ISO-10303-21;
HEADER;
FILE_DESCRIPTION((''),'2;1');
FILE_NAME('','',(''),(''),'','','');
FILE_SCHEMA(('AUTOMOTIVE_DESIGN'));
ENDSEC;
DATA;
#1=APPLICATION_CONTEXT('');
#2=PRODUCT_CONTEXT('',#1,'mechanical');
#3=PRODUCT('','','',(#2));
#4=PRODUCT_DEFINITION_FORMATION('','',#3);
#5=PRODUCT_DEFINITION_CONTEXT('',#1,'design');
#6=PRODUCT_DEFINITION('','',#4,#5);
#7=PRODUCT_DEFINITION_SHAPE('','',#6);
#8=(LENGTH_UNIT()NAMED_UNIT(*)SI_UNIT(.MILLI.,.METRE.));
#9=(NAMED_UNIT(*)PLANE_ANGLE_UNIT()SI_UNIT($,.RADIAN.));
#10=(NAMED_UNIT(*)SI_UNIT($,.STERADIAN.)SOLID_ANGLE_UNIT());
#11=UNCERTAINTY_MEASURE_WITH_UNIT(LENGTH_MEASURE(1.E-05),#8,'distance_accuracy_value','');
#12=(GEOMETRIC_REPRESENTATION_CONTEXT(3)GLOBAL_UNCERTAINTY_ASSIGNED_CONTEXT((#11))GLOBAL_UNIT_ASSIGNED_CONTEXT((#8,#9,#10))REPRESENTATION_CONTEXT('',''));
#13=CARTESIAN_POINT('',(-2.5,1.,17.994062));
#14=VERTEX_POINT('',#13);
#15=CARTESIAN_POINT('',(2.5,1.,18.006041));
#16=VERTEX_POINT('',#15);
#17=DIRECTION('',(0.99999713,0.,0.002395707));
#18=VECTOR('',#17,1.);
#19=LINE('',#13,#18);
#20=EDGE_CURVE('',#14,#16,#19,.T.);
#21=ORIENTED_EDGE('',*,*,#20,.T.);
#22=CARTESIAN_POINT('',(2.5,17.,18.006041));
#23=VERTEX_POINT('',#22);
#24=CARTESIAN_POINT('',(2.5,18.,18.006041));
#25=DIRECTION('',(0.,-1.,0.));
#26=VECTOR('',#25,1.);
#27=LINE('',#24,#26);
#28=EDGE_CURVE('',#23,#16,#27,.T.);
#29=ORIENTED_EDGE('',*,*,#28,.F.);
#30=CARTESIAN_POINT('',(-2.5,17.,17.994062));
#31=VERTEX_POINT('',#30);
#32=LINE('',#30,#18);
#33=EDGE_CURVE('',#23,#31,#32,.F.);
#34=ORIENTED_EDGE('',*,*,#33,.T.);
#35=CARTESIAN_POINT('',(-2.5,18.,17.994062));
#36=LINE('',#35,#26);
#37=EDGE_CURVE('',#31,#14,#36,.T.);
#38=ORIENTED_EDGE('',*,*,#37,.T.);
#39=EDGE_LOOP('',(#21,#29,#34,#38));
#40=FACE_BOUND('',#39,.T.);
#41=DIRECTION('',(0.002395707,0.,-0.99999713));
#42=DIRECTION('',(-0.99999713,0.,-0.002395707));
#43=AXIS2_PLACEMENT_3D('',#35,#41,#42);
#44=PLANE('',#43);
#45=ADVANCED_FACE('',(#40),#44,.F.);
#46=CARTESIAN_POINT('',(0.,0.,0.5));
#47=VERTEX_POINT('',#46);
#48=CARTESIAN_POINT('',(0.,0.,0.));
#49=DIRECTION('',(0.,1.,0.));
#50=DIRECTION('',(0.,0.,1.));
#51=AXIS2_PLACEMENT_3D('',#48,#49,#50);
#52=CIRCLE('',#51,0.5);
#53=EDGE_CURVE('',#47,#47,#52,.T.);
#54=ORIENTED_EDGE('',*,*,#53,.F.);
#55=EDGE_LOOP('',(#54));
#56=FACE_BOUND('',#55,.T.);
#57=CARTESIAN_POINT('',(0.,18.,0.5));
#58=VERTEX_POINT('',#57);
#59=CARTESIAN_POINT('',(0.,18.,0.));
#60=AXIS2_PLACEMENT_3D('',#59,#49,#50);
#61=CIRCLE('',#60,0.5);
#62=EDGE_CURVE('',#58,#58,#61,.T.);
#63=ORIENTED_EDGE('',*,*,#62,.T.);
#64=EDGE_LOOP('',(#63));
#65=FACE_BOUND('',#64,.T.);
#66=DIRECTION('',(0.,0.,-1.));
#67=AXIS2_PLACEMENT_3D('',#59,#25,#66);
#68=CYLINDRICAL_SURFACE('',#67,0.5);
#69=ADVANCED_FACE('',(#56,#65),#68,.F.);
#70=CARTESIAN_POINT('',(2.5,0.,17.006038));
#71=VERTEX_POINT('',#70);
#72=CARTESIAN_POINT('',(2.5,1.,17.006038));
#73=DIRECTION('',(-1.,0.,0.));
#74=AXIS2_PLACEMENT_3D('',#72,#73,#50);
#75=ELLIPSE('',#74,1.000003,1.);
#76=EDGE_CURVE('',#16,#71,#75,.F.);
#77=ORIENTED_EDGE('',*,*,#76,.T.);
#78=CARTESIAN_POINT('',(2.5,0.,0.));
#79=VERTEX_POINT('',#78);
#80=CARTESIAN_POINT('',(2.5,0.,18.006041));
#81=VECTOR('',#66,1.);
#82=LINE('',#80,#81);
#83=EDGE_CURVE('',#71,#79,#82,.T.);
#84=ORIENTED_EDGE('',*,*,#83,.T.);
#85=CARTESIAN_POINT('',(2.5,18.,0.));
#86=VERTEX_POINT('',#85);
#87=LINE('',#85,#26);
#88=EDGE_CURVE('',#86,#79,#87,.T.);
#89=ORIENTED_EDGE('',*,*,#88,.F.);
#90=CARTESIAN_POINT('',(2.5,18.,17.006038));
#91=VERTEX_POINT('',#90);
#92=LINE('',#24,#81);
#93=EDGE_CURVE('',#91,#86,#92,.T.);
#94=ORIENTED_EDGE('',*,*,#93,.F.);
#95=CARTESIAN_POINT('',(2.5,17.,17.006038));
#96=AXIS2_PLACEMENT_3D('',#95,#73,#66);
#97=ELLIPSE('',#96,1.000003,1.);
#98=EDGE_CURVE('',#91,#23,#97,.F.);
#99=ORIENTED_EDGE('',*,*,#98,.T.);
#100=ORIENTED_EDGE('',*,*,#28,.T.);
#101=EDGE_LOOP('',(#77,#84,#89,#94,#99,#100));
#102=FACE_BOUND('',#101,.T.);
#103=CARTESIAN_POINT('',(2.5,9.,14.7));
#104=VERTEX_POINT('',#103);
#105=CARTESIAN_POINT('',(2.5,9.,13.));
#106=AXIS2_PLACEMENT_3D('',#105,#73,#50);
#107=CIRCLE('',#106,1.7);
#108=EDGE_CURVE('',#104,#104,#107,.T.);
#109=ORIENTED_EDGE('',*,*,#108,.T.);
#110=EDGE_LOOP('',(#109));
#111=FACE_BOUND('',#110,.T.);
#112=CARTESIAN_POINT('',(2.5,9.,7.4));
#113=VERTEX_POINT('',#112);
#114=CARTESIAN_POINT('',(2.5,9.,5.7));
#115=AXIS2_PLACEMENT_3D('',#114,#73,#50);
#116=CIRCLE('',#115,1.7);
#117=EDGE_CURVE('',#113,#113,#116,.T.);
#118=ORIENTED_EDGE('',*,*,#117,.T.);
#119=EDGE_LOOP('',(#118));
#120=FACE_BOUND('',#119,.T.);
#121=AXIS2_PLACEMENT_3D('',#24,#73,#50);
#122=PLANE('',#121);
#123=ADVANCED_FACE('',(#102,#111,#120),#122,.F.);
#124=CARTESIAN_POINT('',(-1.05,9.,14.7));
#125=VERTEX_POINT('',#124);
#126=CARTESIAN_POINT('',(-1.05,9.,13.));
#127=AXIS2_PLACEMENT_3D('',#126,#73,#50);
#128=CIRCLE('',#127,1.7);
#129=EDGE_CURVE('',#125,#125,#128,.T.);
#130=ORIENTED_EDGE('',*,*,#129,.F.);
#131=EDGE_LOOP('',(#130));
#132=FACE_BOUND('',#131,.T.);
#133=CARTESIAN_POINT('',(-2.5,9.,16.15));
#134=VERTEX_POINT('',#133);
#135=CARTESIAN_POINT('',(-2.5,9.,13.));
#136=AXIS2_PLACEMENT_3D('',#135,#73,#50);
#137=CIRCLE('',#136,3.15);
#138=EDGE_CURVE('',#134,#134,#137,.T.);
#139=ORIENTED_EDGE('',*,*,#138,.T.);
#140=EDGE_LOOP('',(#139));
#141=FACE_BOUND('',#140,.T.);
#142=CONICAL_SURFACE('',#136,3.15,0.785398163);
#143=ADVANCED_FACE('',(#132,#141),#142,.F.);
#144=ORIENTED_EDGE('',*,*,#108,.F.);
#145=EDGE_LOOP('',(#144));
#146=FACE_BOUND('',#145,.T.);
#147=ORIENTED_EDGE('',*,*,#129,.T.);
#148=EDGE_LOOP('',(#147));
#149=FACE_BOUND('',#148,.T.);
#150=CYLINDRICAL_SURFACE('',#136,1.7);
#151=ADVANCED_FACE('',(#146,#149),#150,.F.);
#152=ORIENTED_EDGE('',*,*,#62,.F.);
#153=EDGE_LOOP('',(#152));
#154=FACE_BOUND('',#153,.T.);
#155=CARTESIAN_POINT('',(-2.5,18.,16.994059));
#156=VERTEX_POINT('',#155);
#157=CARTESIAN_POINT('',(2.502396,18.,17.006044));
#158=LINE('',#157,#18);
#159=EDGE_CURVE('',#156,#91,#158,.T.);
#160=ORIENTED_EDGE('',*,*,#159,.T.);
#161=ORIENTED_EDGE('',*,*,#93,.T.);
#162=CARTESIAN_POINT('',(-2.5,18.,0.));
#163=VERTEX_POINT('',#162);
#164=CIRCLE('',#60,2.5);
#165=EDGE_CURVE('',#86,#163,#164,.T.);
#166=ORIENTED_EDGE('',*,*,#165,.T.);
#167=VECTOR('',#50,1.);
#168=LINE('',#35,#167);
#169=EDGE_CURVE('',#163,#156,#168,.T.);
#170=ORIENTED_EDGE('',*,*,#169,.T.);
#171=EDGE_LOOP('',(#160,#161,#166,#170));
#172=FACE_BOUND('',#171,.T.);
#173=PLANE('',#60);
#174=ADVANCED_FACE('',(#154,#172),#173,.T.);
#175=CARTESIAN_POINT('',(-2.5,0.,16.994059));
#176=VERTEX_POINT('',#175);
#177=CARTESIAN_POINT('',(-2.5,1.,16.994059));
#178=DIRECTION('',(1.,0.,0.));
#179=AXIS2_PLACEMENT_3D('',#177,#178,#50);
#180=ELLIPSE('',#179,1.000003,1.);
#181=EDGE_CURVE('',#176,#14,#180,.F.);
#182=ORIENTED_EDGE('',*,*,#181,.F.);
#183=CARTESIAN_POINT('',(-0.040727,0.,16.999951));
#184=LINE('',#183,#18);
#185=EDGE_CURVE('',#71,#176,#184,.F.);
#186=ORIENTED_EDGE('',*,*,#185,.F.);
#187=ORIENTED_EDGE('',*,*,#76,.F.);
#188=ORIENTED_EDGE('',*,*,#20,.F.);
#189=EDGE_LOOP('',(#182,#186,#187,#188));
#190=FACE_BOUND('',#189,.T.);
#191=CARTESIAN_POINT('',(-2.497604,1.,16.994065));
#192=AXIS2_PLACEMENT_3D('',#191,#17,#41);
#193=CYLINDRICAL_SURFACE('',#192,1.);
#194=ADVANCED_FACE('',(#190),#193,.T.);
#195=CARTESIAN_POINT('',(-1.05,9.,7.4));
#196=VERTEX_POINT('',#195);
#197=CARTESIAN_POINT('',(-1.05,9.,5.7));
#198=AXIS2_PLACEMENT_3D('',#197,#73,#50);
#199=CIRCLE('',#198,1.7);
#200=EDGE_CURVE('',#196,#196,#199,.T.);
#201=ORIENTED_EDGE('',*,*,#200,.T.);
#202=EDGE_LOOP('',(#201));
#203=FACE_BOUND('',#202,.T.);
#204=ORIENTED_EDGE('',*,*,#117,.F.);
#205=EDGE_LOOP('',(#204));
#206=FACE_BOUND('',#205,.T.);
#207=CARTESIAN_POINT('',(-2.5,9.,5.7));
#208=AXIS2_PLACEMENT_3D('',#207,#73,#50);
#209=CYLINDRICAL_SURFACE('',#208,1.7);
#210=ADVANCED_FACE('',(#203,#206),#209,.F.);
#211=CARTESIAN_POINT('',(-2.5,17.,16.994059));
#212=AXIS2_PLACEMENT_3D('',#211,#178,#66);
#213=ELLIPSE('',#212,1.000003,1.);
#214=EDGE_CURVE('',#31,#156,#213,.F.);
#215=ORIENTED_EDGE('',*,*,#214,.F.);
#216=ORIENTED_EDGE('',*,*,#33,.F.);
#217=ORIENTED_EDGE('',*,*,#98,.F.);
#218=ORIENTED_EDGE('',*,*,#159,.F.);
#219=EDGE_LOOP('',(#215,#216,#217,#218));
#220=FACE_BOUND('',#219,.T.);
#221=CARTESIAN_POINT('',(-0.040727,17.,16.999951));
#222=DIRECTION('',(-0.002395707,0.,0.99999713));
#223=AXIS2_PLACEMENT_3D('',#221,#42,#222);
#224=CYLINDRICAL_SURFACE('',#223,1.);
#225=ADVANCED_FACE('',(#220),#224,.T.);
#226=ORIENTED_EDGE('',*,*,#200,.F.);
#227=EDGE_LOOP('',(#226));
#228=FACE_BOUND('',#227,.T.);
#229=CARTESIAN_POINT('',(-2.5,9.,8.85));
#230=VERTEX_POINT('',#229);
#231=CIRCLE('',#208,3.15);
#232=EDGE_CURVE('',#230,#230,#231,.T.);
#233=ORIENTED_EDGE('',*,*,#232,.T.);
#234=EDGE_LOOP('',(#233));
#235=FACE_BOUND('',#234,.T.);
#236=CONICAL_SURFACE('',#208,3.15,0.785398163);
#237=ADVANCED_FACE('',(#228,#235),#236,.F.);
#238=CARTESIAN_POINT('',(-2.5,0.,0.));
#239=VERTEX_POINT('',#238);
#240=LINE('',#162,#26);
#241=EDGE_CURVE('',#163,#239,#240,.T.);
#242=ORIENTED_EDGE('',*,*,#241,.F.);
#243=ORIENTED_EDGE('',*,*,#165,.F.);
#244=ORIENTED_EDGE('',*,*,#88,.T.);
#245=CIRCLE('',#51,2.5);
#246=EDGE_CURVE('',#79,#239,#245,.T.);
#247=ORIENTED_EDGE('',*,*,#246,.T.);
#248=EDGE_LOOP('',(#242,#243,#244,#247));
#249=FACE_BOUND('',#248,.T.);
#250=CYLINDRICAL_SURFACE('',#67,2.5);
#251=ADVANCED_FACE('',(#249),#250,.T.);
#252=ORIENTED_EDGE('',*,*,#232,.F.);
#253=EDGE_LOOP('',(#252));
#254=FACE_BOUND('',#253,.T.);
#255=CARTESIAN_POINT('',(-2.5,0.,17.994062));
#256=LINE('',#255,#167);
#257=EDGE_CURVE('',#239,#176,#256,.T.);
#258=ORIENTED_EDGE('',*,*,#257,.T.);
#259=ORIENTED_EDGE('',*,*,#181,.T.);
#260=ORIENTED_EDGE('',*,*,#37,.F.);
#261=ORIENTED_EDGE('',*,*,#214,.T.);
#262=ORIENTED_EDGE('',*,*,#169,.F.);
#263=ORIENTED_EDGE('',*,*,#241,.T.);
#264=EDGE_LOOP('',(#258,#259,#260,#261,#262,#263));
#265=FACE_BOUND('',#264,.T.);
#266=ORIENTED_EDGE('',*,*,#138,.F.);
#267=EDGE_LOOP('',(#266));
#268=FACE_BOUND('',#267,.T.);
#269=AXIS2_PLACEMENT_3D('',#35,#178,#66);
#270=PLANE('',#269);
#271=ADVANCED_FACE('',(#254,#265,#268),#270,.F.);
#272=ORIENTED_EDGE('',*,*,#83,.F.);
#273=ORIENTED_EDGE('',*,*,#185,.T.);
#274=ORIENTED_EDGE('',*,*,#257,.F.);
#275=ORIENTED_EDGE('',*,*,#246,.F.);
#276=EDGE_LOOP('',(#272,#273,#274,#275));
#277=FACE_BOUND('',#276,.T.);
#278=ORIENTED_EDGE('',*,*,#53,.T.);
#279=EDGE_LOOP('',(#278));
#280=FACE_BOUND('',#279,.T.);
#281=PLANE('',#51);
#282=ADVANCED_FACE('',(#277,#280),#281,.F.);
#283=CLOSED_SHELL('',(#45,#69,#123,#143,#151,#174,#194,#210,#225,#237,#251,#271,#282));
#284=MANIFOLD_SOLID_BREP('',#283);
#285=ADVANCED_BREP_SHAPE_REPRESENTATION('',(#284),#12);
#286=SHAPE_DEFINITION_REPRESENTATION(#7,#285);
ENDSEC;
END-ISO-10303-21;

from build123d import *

# Parameters (mm, degrees)
SKETCH1_R                                       = 0.5
BOSS_EXTRUDE1_DEPTH                             = 18
FILLET2_R                                       = 1
CSK_FOR_M3_FLAT_HEAD_MACHINE_SCREW2_D           = 3.4
CSK_FOR_M3_FLAT_HEAD_MACHINE_SCREW2_CSINK_D     = 6.3
CSK_FOR_M3_FLAT_HEAD_MACHINE_SCREW2_CSINK_ANGLE = 90


with BuildPart() as part:
    # Sketch1 → Boss-Extrude1 (new body)
    with BuildSketch(Plane(origin=(0, 0, 0), x_dir=(1, 0, 0), z_dir=(0, 1, 0))):
        with BuildLine():
            Line((-2.5, -17.994062369), (-2.5, 0))
            ThreePointArc((-2.5, 0), (0, 2.5), (2.5, 0))
            Line((2.5, 0), (2.5, -18.006040941))
            Line((2.5, -18.006040941), (-2.5, -17.994062369))
        make_face()
        with Locations(Location((0, 0, 0), (0, 0, 270))):
            Circle(SKETCH1_R, mode=Mode.SUBTRACT)
    extrude(amount=BOSS_EXTRUDE1_DEPTH)

    # Fillet2
    fillet2_edges = [part.edges().sort_by_distance(p)[0] for p in [
        (0, 18, 18.000051655),
        (0, 0, 18.000051655),
    ]]
    fillet(fillet2_edges, radius=FILLET2_R)

    # CSK for M3 Flat Head Machine Screw2 (through all)
    with Locations(Plane.ZY.offset(2.5)):
        with Locations((5.7, 9), (13, 9)):
            CounterSinkHole(CSK_FOR_M3_FLAT_HEAD_MACHINE_SCREW2_D / 2, CSK_FOR_M3_FLAT_HEAD_MACHINE_SCREW2_CSINK_D / 2, counter_sink_angle=CSK_FOR_M3_FLAT_HEAD_MACHINE_SCREW2_CSINK_ANGLE)


solid = part.part
